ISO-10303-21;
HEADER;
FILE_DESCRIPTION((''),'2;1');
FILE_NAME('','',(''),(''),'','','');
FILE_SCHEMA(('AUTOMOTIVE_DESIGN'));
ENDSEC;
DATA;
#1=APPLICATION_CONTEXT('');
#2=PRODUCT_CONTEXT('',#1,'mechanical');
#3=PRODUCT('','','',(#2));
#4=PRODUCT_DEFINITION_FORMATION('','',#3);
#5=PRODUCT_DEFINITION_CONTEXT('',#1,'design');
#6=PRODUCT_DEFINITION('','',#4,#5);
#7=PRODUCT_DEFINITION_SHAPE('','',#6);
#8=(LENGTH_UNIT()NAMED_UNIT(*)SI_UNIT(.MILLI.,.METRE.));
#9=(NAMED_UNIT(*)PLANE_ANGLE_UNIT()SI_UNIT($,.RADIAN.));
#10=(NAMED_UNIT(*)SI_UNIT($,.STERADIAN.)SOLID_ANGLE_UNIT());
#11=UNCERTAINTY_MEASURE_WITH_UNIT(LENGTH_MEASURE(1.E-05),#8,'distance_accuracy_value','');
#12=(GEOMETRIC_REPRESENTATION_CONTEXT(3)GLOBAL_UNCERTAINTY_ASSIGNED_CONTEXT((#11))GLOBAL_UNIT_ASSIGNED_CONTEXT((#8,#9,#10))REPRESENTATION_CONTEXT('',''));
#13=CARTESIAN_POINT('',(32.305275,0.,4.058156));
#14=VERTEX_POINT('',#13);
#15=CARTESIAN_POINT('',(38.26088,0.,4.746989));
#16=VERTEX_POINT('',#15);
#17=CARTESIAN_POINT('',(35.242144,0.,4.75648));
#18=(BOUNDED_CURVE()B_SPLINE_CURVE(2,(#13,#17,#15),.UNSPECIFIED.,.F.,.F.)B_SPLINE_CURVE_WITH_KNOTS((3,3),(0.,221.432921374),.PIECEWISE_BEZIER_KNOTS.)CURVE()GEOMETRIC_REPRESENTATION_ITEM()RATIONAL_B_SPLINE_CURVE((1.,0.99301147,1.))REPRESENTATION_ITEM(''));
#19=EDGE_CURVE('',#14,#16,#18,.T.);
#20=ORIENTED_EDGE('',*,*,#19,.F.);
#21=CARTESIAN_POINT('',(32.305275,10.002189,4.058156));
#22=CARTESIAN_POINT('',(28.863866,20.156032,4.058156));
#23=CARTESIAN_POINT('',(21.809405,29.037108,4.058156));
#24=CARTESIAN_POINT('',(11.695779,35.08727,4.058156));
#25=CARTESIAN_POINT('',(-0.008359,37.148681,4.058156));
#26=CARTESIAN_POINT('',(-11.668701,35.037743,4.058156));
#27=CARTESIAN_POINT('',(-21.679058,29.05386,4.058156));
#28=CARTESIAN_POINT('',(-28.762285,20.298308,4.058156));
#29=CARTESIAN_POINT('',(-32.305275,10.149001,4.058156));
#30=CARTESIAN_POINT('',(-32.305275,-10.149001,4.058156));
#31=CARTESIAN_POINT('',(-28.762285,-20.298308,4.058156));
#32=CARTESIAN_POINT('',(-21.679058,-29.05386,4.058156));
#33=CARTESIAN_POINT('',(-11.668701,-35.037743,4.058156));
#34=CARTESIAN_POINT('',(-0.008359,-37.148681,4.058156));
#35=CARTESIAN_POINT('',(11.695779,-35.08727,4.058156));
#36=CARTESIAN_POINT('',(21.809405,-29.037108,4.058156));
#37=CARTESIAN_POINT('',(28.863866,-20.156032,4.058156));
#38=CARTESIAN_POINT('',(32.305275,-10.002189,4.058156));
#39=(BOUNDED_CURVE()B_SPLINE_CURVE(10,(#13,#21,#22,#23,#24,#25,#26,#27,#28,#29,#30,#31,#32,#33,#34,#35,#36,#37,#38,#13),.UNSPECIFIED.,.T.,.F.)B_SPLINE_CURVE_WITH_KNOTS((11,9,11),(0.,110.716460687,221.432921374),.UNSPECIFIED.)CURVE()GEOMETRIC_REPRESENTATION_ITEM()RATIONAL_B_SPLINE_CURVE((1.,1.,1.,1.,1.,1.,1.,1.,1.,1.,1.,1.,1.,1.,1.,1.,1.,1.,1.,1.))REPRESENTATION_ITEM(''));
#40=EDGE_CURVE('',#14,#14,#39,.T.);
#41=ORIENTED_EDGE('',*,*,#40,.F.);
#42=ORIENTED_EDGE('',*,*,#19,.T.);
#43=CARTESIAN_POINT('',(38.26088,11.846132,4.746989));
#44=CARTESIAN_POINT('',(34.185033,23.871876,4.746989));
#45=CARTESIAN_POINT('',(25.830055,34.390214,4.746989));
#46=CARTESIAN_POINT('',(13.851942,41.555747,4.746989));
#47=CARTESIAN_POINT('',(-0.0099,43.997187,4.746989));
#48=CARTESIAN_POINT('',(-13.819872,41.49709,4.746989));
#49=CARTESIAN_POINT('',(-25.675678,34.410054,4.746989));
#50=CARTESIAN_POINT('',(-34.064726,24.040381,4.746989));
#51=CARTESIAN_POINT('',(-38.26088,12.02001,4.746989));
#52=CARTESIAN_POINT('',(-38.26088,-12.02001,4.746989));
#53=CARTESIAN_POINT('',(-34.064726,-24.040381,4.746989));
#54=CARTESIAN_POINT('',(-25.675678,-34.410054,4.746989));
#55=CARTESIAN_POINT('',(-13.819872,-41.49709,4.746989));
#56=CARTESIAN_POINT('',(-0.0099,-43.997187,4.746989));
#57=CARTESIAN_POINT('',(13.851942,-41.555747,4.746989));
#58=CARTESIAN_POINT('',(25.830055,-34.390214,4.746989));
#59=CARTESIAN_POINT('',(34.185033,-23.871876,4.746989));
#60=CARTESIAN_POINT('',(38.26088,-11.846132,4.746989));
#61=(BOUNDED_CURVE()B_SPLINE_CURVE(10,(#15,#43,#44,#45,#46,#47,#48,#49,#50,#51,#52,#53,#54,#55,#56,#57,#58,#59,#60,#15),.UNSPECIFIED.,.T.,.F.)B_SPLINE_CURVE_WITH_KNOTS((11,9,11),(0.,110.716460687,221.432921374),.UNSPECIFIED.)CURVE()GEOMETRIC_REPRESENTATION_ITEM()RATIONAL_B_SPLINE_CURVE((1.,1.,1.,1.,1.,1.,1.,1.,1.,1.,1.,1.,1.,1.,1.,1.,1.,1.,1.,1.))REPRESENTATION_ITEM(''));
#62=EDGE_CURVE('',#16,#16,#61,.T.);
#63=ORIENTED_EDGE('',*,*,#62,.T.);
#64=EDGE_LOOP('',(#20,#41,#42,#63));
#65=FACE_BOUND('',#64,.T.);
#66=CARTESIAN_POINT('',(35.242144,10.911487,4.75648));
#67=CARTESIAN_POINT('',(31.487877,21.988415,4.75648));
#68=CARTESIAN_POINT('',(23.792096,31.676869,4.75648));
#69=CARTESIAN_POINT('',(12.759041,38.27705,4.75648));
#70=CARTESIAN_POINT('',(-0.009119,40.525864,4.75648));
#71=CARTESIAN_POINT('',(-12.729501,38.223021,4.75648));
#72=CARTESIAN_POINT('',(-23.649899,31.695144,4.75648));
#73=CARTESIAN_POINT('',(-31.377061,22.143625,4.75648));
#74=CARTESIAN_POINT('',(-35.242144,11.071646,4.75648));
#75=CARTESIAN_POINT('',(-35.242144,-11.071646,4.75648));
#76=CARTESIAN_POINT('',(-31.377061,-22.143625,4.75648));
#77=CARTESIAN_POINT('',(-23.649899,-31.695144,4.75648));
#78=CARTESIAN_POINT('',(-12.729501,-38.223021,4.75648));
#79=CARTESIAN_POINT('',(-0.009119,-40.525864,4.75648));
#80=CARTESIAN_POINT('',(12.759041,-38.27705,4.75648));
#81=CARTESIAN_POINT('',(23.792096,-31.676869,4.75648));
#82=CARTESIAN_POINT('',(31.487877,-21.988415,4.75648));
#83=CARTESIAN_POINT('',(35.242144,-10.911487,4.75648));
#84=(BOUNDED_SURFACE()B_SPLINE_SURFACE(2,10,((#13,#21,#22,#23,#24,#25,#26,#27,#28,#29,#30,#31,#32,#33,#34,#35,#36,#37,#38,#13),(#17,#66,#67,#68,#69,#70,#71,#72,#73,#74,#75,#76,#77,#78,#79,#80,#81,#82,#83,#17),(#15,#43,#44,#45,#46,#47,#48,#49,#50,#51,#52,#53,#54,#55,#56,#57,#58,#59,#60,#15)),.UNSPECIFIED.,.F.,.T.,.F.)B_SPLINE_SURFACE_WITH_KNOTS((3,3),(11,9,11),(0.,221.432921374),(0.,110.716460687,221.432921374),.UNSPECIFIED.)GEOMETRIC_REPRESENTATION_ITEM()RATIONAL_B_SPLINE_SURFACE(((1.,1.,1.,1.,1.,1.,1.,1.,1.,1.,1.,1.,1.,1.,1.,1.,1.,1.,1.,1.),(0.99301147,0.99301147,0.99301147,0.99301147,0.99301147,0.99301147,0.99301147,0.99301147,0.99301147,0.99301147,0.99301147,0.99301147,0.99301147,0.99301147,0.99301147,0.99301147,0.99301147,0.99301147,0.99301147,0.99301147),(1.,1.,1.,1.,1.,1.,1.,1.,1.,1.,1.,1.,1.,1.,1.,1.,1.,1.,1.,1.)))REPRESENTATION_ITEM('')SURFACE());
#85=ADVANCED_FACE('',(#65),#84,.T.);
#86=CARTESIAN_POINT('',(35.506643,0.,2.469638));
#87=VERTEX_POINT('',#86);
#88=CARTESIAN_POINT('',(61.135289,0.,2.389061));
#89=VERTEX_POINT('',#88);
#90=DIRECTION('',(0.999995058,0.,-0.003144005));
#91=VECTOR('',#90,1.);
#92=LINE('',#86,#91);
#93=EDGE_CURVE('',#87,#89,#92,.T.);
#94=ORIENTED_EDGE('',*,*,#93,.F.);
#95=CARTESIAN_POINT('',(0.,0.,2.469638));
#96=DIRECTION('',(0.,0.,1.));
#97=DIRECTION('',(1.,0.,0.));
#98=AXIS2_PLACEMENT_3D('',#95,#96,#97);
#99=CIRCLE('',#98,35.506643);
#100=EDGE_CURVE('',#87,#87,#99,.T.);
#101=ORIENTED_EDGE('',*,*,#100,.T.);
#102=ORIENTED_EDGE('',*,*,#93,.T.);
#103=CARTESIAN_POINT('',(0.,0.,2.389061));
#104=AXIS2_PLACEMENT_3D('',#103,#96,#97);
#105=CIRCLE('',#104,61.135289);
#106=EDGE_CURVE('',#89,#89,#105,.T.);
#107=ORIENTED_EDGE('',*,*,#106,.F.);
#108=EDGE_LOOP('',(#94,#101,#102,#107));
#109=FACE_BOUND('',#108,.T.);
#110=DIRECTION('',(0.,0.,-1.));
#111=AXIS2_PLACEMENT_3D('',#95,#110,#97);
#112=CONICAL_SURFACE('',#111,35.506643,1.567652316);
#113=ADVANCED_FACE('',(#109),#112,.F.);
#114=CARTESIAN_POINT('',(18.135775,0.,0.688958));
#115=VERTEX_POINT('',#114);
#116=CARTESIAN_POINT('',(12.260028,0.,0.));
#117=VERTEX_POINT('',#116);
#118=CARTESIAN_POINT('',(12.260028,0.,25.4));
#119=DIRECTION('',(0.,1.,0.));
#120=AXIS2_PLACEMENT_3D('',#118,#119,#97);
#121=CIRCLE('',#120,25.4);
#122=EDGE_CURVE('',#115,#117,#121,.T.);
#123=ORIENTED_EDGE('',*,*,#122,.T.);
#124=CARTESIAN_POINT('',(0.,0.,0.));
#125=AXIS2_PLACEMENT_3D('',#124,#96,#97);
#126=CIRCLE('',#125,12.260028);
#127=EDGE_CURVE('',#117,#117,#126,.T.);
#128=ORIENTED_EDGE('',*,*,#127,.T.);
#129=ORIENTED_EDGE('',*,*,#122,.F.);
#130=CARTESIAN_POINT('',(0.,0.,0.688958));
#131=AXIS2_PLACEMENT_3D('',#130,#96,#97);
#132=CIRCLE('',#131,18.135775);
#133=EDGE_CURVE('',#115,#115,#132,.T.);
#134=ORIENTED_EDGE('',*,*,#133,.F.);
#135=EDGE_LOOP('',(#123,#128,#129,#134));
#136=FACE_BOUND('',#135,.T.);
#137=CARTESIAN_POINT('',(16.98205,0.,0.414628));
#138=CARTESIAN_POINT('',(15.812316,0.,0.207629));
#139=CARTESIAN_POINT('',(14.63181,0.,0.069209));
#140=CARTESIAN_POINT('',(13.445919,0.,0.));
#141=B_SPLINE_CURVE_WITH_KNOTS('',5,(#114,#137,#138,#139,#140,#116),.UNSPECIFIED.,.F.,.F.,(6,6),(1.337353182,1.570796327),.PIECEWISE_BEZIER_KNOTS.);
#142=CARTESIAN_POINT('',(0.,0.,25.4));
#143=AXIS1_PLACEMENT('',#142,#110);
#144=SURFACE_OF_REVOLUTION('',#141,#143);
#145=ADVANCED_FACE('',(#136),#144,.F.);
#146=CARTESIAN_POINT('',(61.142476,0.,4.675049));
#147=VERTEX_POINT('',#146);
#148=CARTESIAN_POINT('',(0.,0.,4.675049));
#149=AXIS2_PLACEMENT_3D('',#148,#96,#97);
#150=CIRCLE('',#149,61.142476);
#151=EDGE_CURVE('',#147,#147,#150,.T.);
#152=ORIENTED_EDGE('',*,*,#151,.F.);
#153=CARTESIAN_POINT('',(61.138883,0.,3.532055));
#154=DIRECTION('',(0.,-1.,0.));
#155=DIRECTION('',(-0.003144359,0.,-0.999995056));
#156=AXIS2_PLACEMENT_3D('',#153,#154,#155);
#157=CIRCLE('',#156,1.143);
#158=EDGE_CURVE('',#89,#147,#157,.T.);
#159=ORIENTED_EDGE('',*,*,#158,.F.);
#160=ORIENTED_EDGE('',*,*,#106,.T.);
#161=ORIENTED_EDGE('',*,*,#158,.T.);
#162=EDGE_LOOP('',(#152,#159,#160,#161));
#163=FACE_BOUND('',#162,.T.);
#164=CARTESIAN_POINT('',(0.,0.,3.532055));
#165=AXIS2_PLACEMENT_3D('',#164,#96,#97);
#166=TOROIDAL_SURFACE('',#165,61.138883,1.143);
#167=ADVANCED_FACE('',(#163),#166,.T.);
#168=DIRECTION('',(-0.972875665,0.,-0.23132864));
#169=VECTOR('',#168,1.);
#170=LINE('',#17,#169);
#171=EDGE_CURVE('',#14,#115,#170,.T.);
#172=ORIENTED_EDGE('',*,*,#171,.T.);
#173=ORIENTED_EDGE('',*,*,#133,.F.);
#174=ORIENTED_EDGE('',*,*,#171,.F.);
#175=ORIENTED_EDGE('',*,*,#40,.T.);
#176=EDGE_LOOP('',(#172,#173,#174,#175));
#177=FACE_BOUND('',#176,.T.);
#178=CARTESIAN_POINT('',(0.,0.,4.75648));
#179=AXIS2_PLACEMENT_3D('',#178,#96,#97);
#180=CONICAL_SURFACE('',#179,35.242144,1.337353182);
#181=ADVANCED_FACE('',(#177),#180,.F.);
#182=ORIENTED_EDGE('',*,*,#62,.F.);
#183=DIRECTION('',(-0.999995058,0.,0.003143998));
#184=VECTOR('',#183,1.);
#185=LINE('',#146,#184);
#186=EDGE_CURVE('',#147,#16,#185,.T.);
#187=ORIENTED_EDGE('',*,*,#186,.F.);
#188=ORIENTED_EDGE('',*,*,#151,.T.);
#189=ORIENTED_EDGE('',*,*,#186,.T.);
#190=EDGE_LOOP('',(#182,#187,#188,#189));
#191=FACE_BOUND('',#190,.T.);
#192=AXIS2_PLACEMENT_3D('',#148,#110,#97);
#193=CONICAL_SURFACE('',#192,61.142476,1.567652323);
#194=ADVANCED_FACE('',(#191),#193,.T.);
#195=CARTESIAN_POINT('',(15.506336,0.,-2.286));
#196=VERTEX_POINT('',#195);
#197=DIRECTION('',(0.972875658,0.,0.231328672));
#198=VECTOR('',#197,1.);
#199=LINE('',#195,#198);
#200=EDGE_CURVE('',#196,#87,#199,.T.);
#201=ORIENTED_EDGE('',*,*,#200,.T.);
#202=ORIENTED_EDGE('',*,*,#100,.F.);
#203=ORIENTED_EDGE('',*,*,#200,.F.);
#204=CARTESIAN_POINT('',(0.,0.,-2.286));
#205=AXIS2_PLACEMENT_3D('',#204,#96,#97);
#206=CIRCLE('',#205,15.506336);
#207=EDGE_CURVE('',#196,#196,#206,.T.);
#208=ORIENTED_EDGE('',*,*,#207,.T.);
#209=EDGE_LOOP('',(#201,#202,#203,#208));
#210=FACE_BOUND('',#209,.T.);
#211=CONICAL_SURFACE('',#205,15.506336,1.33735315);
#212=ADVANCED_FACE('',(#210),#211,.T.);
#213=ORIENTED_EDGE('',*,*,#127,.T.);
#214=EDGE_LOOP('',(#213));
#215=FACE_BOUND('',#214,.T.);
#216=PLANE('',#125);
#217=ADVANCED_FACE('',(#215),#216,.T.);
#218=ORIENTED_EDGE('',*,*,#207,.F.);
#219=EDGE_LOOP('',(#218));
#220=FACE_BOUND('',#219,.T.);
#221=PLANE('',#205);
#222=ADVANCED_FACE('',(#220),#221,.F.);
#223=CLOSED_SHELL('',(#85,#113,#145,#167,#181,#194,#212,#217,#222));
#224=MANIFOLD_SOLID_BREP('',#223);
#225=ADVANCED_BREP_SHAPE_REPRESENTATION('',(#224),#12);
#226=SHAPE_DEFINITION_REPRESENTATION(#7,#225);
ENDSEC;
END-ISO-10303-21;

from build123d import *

# Parameters (mm, degrees)
F3_R = 25.4


with BuildPart() as f2:
    # F0 (on Front) → F2 (revolve)
    with BuildSketch(Plane.XZ):
        with BuildLine():
            Line((35.242144, 4.75648), (15.238293, 0))
            Line((15.238293, 0), (0, 0))
            Line((0, 0), (0, -2.286))
            Line((0, -2.286), (15.506336, -2.286))
            Line((15.506336, -2.286), (35.506643, 2.469638))
            Line((35.506643, 2.469638), (61.135289, 2.389061))
            ThreePointArc((61.135289, 2.389061), (62.281877, 3.528461), (61.142476, 4.675049))
            Line((61.142476, 4.675049), (35.242144, 4.75648))
        make_face()
    revolve(axis=Axis((0, 0, 4.155044), (0, 0, 1)))

    # F3
    f3_edges = [f2.edges().sort_by_distance(p)[0] for p in [
        (-35.242144, 0, 4.75648),
        (-15.238293, 0, 0),
    ]]
    fillet(f3_edges, radius=F3_R)


solid = f2.part
